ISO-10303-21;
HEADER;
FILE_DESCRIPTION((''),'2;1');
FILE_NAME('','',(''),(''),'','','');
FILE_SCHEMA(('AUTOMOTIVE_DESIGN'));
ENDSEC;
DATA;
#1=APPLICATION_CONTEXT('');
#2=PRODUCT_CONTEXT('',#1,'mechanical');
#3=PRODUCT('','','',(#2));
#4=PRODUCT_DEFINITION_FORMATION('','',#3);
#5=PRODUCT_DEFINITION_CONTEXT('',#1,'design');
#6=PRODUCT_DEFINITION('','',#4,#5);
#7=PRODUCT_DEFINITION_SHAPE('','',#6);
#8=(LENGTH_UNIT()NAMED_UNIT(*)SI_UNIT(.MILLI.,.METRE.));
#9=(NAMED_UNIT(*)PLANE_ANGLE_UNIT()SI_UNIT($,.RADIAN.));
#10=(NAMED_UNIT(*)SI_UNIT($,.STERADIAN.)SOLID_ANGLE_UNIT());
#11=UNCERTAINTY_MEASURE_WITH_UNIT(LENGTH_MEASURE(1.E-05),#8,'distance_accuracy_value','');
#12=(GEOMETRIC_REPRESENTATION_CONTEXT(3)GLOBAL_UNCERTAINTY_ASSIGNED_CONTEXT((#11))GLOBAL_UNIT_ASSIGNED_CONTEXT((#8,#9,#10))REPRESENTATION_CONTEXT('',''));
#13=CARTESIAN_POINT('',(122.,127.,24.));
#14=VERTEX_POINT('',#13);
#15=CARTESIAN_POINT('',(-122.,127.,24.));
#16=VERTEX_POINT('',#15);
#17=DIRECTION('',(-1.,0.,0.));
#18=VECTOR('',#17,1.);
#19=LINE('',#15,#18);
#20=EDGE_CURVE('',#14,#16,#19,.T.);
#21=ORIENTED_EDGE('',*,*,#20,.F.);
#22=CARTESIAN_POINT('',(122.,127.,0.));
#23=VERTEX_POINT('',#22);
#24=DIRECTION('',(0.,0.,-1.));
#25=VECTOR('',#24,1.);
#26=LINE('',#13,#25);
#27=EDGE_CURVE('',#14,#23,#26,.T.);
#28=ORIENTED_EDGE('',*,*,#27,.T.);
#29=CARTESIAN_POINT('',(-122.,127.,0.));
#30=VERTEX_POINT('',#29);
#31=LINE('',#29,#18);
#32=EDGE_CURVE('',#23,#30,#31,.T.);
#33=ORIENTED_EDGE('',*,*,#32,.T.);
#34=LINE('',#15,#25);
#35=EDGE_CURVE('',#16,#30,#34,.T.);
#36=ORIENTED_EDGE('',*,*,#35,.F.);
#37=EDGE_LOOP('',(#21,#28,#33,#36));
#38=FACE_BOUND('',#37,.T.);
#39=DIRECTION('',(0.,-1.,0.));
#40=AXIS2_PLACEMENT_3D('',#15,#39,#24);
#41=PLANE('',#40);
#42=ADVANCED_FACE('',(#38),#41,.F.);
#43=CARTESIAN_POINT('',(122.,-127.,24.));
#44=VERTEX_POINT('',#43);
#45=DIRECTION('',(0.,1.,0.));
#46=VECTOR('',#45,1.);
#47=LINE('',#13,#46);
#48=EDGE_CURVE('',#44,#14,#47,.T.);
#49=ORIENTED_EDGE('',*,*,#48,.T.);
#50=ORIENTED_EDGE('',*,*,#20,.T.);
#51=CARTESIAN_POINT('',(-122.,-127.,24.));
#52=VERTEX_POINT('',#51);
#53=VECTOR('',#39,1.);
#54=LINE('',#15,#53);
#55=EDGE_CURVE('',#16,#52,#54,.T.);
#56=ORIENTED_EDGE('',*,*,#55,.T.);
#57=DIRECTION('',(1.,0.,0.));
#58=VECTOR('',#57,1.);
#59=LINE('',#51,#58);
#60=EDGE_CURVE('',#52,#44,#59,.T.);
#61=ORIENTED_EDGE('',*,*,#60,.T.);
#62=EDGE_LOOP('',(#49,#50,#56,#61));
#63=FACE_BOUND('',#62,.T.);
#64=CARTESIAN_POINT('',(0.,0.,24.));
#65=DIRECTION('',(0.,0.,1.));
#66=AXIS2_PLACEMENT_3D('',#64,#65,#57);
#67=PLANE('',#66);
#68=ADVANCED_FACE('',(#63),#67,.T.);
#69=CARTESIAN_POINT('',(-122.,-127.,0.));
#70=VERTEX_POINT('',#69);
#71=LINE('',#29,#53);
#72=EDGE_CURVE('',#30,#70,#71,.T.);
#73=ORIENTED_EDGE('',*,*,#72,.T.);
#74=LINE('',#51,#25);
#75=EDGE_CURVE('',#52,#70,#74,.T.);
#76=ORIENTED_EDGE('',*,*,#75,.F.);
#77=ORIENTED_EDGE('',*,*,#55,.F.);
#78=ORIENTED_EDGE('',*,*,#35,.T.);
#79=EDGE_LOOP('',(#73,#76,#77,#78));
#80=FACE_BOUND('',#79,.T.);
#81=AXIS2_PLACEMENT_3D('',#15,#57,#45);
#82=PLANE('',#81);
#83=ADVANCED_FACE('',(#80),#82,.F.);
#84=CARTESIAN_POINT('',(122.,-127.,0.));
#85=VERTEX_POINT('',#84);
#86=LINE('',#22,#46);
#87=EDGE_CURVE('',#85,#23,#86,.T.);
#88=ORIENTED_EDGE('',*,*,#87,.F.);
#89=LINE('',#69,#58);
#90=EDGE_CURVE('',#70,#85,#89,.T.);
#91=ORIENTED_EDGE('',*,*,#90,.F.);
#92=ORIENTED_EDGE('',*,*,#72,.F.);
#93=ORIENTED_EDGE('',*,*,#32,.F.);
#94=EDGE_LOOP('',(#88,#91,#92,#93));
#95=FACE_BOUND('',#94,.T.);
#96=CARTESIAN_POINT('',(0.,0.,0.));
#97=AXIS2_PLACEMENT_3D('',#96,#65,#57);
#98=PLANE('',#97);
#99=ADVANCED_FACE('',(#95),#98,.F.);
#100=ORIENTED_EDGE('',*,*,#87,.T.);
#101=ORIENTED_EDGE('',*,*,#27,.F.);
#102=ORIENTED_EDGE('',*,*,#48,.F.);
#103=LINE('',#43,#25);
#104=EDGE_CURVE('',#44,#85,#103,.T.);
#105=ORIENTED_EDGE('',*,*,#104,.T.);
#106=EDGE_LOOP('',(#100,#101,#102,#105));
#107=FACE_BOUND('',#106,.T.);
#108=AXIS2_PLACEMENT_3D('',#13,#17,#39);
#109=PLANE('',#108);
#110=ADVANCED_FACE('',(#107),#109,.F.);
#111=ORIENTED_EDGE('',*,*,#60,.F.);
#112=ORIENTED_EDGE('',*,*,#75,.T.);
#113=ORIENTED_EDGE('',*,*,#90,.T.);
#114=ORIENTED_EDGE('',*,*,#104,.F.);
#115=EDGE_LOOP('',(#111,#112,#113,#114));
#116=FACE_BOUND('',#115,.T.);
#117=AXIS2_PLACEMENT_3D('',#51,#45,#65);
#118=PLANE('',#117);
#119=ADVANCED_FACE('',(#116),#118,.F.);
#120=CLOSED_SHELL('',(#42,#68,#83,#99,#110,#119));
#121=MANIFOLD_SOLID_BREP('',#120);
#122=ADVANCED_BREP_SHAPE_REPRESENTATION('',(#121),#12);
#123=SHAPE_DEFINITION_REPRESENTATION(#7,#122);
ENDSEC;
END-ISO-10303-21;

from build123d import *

# Parameters (mm, degrees)
SKETCH_1_W      = 244
SKETCH_1_H      = 254
EXTRUDE_1_DEPTH = 24


with BuildPart() as part:
    # 草图1 → 凸台-拉伸1 (new body)
    with BuildSketch(Plane.XY):
        Rectangle(SKETCH_1_W, SKETCH_1_H)
    extrude(amount=EXTRUDE_1_DEPTH)


solid = part.part
